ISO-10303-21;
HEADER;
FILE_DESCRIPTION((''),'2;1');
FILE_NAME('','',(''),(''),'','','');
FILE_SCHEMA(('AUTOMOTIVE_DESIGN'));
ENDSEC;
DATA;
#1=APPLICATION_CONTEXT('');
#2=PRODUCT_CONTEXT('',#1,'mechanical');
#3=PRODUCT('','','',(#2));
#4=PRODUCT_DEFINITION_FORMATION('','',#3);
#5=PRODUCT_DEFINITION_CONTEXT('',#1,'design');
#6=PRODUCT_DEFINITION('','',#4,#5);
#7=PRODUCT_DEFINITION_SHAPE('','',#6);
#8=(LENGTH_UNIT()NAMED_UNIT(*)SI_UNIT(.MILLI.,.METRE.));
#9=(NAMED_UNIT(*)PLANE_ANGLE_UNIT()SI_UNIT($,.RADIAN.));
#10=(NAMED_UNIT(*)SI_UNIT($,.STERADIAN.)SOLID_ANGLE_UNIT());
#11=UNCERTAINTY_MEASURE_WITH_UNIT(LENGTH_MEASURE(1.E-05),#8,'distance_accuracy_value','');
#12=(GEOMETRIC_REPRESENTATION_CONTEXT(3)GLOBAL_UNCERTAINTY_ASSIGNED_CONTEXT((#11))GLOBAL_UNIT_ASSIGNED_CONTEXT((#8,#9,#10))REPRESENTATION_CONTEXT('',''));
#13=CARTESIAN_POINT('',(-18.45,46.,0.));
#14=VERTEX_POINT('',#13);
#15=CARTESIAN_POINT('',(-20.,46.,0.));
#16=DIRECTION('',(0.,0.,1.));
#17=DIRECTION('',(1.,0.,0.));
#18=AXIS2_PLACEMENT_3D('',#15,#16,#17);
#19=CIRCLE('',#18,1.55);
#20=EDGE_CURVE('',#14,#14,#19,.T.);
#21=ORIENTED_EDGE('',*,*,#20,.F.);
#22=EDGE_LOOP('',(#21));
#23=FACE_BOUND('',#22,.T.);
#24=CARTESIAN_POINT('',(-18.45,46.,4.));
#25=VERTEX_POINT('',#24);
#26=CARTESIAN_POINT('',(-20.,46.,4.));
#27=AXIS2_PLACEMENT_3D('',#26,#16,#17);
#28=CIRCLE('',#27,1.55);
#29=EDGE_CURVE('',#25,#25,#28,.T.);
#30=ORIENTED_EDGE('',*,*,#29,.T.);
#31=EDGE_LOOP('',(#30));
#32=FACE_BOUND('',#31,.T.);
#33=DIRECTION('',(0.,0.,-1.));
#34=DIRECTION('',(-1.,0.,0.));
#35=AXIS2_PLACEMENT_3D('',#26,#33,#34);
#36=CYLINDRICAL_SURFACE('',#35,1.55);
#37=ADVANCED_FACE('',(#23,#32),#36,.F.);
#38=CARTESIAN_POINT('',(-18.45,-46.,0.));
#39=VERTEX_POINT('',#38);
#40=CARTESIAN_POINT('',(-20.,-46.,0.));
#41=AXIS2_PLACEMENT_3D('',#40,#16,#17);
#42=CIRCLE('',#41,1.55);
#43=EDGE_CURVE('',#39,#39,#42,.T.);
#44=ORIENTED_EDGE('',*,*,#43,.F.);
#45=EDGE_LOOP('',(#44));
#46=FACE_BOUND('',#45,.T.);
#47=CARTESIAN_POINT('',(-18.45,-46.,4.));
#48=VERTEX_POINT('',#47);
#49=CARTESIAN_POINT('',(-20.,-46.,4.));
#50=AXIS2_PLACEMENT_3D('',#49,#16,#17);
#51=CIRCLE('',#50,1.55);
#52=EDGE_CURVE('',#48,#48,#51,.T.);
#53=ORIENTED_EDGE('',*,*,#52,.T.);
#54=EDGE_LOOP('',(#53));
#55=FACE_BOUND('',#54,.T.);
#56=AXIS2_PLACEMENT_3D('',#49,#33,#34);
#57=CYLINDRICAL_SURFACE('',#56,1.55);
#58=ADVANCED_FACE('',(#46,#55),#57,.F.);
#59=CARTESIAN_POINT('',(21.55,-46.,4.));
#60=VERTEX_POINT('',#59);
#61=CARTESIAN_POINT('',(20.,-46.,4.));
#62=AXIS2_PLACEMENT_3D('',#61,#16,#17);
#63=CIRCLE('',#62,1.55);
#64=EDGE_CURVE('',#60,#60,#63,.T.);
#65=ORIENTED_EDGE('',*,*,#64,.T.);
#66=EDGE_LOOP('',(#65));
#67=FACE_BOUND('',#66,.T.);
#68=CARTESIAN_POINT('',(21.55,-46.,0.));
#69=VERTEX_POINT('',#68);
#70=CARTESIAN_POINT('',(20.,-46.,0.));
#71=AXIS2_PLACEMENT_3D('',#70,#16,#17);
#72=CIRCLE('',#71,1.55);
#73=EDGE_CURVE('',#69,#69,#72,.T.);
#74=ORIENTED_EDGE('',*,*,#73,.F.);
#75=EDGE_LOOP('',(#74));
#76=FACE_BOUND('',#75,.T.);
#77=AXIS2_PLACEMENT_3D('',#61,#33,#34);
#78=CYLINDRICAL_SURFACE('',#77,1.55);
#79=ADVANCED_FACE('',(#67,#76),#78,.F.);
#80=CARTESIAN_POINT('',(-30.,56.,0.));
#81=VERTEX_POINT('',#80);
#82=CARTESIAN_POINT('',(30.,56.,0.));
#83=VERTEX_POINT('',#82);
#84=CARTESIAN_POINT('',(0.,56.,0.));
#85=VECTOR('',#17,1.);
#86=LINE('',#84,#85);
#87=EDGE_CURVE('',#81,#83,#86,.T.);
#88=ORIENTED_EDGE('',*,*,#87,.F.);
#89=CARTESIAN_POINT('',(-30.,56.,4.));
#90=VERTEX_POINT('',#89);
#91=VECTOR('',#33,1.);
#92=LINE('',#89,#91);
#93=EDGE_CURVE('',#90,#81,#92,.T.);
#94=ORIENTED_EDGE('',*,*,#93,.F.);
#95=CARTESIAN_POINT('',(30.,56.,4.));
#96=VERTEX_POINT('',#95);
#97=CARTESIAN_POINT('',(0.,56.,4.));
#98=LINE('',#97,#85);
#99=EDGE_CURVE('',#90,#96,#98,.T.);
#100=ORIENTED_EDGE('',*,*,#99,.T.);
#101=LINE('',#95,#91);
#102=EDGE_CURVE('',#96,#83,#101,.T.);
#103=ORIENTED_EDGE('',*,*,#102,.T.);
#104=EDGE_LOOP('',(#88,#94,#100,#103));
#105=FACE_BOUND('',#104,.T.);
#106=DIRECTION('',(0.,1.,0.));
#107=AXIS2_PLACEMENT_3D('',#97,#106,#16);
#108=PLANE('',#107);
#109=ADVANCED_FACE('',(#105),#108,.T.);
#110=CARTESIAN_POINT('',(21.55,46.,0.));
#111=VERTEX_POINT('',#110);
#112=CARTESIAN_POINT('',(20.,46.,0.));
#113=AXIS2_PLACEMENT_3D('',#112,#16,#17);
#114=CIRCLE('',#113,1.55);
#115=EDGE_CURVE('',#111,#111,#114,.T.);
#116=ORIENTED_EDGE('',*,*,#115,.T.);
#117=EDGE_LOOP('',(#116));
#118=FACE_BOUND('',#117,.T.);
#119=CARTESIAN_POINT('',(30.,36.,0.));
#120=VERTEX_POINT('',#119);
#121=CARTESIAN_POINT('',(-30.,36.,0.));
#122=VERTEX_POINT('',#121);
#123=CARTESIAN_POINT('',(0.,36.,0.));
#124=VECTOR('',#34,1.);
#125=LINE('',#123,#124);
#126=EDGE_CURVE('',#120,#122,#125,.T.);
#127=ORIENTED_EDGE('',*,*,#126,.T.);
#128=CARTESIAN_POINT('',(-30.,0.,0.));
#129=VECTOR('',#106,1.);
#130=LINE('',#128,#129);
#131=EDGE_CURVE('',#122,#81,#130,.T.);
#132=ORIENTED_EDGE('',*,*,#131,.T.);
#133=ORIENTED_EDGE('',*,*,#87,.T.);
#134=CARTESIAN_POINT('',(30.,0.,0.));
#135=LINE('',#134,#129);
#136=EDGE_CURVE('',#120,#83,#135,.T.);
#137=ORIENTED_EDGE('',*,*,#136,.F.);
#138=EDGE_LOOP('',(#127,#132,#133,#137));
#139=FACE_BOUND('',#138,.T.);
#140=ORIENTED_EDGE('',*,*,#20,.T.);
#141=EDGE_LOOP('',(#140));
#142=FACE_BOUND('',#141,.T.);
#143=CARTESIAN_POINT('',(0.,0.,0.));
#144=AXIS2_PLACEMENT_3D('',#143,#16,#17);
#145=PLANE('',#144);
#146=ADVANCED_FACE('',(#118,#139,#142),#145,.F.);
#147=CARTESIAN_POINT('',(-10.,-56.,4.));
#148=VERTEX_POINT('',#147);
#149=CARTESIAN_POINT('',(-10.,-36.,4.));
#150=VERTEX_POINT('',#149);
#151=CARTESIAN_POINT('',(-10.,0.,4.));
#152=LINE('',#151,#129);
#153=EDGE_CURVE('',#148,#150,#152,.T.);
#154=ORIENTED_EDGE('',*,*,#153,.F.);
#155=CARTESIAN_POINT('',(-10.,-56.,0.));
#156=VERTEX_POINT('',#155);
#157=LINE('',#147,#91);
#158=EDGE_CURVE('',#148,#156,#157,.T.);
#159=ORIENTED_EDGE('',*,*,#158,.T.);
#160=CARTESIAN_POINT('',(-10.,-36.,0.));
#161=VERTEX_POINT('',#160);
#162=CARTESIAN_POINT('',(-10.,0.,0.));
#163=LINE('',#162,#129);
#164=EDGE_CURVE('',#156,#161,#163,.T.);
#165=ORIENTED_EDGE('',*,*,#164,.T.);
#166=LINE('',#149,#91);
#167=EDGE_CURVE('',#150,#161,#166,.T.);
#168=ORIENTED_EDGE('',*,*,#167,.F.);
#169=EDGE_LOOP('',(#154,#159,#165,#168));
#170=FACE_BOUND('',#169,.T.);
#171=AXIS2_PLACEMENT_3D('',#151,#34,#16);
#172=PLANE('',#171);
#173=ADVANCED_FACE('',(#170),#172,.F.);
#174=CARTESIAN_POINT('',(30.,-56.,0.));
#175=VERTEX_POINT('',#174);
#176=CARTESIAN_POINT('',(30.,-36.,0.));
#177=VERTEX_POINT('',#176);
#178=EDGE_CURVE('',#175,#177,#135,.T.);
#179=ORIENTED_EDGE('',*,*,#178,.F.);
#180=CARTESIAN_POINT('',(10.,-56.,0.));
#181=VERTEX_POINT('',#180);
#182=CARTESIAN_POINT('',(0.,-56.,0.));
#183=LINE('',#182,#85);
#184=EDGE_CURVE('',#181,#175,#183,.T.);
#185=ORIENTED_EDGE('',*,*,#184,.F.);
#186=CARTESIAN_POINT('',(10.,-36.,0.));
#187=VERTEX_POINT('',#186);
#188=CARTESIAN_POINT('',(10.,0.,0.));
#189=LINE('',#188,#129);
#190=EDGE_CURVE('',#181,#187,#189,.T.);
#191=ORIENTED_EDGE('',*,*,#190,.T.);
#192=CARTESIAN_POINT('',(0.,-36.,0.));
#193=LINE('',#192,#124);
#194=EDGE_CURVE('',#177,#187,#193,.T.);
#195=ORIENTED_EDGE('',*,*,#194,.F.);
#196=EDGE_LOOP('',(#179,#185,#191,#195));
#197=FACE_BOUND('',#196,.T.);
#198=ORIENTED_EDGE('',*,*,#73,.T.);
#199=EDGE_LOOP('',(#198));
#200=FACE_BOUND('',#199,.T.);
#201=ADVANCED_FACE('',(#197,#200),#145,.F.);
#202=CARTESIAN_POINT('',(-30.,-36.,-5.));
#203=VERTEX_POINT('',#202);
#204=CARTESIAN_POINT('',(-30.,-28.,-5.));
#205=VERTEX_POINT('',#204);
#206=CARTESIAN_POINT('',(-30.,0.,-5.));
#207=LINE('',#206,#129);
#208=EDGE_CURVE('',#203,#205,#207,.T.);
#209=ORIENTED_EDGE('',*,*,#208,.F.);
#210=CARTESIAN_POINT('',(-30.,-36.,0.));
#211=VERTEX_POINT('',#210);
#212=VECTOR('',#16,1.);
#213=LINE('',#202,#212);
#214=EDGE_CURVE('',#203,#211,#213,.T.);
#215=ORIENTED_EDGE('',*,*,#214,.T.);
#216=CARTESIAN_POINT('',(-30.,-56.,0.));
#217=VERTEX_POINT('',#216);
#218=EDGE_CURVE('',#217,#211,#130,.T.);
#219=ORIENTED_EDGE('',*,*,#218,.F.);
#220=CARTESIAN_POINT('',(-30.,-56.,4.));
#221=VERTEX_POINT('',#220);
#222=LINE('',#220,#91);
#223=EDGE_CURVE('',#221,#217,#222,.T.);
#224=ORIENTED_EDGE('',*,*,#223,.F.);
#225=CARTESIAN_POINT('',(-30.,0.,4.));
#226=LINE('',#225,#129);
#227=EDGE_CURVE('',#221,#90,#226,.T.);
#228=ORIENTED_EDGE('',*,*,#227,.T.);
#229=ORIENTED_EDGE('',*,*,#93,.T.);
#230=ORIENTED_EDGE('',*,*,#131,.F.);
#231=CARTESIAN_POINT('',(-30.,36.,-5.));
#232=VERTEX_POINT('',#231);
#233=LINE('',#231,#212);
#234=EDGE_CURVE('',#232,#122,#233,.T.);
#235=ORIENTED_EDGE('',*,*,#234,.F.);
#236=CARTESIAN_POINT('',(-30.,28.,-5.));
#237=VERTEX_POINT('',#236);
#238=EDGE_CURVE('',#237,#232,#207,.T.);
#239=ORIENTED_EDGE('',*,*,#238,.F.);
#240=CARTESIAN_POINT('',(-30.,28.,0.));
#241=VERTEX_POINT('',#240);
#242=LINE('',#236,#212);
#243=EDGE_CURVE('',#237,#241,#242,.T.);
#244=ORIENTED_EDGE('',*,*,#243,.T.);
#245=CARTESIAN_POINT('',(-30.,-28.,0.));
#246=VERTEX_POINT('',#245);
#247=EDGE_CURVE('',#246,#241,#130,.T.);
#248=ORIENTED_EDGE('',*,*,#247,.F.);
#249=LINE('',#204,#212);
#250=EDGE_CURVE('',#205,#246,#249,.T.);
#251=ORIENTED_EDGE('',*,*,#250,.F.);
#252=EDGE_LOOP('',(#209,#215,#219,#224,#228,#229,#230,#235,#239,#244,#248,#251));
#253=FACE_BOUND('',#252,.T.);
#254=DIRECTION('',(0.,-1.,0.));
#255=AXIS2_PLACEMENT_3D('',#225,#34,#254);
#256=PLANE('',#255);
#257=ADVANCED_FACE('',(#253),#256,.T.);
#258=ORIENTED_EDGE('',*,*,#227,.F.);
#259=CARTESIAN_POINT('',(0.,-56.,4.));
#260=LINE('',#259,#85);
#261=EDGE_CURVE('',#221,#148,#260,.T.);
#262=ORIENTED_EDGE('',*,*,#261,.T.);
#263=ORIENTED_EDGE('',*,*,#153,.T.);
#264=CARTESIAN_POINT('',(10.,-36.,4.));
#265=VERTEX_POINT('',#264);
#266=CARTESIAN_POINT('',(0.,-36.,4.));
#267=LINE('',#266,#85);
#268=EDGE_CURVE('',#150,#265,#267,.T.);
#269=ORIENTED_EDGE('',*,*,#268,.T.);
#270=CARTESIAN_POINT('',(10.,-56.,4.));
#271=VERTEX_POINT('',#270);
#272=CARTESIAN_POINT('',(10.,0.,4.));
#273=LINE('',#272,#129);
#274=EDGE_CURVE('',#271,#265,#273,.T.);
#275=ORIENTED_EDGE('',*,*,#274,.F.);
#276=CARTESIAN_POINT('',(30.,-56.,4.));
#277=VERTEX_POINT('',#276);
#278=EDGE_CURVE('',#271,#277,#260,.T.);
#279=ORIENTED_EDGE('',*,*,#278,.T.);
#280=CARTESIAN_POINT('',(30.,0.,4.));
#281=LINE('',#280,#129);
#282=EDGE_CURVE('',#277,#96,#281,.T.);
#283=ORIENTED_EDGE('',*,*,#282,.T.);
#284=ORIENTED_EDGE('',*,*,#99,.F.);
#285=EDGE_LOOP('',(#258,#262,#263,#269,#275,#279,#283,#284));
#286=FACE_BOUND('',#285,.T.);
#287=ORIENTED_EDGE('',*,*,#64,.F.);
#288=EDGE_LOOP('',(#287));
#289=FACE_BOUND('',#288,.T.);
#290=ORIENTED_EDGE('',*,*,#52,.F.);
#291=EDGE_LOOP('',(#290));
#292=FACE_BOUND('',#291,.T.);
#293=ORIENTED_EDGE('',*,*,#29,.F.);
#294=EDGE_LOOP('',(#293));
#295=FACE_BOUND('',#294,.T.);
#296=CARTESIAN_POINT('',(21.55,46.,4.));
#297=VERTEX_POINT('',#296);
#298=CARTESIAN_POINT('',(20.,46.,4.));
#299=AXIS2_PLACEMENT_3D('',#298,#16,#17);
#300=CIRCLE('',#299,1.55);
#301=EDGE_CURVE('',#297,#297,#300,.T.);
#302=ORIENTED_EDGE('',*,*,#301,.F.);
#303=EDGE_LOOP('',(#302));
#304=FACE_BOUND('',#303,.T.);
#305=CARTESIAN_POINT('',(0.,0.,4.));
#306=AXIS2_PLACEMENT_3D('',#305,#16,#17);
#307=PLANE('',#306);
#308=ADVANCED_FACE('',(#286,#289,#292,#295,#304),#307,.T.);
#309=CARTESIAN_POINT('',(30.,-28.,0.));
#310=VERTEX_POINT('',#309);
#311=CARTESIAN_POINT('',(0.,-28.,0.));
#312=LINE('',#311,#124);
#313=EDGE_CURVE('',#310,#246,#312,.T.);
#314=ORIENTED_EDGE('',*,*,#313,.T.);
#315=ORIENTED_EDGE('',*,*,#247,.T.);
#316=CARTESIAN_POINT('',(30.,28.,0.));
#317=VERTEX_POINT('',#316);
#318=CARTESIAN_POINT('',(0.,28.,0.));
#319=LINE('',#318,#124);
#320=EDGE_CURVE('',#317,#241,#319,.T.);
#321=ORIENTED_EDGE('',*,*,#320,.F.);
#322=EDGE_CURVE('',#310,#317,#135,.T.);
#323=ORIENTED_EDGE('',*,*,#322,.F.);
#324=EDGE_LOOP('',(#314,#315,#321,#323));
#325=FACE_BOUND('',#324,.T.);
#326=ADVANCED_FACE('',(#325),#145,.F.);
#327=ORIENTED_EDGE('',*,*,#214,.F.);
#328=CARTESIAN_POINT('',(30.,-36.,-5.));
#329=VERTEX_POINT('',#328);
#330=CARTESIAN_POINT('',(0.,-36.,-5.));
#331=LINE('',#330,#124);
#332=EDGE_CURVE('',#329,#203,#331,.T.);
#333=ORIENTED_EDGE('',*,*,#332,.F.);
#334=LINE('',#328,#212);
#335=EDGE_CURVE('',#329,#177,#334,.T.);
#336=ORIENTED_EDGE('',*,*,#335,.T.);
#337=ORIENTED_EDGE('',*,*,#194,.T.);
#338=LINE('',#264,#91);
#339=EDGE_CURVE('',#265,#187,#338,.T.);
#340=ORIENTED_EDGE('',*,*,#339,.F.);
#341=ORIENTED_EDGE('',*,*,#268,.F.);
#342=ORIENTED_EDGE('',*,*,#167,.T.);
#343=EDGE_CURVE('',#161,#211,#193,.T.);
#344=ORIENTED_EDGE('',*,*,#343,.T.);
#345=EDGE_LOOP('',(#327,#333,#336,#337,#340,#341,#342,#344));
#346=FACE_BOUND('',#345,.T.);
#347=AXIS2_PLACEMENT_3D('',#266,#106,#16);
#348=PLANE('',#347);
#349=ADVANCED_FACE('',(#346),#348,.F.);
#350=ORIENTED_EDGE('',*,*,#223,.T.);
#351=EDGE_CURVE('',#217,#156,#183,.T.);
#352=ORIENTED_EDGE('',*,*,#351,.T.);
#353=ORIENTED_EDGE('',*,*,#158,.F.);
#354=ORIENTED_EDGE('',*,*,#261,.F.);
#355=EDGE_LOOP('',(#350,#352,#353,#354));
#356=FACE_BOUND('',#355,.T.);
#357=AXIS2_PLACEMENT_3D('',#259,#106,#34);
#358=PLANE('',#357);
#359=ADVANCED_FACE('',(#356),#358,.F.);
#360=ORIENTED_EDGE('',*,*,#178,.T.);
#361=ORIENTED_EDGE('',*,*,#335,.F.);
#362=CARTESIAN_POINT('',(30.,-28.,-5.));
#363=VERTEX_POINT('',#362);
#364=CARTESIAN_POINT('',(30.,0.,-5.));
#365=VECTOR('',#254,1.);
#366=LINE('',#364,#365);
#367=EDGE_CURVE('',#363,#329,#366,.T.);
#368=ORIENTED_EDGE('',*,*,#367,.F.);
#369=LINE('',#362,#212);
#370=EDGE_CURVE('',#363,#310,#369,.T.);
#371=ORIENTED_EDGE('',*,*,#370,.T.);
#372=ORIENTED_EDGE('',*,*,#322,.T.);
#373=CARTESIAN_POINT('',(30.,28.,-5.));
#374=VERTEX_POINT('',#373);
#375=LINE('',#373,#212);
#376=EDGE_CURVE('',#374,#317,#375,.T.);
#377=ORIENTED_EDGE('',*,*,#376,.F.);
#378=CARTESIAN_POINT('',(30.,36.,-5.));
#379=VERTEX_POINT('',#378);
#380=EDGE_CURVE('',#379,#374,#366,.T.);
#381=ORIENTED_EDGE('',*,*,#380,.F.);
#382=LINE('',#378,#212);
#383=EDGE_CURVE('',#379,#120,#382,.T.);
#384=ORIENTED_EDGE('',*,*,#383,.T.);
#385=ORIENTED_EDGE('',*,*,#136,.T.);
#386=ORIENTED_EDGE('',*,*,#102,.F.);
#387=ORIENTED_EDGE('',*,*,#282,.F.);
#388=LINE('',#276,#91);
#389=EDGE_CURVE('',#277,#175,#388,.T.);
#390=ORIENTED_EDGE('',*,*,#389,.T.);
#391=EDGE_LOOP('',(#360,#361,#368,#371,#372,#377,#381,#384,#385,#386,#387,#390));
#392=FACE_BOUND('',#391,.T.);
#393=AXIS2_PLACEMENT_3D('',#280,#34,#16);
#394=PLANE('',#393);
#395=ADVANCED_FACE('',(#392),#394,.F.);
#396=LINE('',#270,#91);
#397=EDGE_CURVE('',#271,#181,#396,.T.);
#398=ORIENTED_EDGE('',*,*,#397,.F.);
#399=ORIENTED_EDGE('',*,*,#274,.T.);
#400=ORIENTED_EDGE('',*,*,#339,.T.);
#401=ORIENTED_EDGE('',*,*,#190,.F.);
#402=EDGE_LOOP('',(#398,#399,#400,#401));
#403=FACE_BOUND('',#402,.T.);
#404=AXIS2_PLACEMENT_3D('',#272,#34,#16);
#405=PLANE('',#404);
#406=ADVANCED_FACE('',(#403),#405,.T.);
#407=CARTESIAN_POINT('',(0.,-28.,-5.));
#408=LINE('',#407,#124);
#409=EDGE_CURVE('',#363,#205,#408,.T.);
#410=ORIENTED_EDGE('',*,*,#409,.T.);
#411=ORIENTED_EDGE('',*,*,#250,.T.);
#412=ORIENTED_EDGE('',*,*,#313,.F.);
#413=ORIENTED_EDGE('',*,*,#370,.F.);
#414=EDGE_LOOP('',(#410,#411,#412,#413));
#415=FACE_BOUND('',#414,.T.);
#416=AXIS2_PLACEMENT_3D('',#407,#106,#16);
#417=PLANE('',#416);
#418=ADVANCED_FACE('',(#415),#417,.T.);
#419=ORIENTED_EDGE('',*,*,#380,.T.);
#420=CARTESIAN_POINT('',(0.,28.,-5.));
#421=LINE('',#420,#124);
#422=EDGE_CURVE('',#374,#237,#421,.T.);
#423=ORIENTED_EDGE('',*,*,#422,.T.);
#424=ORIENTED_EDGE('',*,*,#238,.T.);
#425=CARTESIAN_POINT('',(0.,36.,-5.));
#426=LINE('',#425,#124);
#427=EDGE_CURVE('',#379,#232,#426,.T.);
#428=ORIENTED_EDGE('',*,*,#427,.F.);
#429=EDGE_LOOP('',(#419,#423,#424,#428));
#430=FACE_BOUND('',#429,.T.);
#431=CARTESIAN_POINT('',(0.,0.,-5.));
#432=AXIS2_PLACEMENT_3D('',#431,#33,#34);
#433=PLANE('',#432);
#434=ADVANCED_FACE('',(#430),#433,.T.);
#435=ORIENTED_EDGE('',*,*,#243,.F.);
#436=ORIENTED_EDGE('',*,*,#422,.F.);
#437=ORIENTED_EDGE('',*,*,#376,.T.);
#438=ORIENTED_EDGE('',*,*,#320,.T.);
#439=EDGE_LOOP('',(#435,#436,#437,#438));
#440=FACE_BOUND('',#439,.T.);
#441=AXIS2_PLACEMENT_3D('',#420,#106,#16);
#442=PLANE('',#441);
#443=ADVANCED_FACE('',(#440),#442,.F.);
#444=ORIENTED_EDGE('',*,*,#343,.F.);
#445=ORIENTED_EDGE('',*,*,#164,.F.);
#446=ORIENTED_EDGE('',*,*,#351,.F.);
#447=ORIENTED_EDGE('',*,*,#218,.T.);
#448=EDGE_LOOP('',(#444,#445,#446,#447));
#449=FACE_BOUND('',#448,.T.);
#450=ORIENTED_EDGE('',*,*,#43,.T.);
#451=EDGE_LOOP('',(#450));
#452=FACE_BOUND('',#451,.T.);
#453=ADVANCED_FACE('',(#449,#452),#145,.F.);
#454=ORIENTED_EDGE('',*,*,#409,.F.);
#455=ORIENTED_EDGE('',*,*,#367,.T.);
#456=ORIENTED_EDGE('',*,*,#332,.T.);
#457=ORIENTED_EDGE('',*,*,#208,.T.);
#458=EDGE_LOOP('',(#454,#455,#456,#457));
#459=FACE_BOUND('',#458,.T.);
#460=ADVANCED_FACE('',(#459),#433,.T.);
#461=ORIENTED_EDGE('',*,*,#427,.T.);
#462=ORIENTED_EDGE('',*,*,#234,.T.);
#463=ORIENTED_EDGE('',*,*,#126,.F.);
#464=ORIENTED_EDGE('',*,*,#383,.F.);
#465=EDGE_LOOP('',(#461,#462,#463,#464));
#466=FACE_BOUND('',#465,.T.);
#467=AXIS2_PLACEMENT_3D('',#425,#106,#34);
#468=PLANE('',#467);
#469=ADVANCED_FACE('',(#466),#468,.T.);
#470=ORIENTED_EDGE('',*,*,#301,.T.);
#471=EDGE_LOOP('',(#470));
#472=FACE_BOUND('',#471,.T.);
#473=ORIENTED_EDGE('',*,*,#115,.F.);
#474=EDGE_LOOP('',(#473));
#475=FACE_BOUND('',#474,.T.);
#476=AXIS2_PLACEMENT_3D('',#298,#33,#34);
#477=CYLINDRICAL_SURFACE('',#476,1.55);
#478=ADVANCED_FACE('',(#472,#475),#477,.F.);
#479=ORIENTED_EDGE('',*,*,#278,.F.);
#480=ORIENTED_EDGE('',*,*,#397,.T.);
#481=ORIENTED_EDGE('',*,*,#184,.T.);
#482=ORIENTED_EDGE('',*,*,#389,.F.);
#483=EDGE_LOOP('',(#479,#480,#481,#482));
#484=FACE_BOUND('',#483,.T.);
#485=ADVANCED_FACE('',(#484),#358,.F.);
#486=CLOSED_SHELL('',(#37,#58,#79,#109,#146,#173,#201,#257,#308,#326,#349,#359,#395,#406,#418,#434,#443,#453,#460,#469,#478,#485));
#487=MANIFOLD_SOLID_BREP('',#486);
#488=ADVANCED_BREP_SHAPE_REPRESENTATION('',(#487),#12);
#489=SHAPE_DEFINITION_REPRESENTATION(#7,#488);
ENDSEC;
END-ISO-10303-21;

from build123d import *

# Parameters (mm, degrees)
SKETCH1_R           = 1.55
BOSS_EXTRUDE1_DEPTH = 4
SKETCH2_W           = 60
SKETCH2_H           = 8
BOSS_EXTRUDE2_DEPTH = 5


with BuildPart() as part:
    # Sketch1 → Boss-Extrude1 (new body)
    with BuildSketch(Plane.XY):
        Polygon((-30, 56), (-30, -56), (-10, -56), (-10, -36), (10, -36), (10, -56), (30, -56), (30, 56), align=None)
        with Locations((-20, -46)):
            Circle(SKETCH1_R, mode=Mode.SUBTRACT)
        with Locations((20, -46)):
            Circle(SKETCH1_R, mode=Mode.SUBTRACT)
        with Locations((-20, 46)):
            Circle(SKETCH1_R, mode=Mode.SUBTRACT)
        with Locations((20, 46)):
            Circle(SKETCH1_R, mode=Mode.SUBTRACT)
    extrude(amount=BOSS_EXTRUDE1_DEPTH)

    # Sketch2 → Boss-Extrude2 (add)
    with BuildSketch(Plane(origin=(0, 0, 0), x_dir=(-1, 0, 0), z_dir=(0, 0, -1))):
        with Locations((0, 32)):
            Rectangle(SKETCH2_W, SKETCH2_H)
        Polygon((30, -28), (-30, -28), (-30, -36), (-10, -36), (10, -36), (30, -36), align=None)
    extrude(amount=BOSS_EXTRUDE2_DEPTH)


solid = part.part
